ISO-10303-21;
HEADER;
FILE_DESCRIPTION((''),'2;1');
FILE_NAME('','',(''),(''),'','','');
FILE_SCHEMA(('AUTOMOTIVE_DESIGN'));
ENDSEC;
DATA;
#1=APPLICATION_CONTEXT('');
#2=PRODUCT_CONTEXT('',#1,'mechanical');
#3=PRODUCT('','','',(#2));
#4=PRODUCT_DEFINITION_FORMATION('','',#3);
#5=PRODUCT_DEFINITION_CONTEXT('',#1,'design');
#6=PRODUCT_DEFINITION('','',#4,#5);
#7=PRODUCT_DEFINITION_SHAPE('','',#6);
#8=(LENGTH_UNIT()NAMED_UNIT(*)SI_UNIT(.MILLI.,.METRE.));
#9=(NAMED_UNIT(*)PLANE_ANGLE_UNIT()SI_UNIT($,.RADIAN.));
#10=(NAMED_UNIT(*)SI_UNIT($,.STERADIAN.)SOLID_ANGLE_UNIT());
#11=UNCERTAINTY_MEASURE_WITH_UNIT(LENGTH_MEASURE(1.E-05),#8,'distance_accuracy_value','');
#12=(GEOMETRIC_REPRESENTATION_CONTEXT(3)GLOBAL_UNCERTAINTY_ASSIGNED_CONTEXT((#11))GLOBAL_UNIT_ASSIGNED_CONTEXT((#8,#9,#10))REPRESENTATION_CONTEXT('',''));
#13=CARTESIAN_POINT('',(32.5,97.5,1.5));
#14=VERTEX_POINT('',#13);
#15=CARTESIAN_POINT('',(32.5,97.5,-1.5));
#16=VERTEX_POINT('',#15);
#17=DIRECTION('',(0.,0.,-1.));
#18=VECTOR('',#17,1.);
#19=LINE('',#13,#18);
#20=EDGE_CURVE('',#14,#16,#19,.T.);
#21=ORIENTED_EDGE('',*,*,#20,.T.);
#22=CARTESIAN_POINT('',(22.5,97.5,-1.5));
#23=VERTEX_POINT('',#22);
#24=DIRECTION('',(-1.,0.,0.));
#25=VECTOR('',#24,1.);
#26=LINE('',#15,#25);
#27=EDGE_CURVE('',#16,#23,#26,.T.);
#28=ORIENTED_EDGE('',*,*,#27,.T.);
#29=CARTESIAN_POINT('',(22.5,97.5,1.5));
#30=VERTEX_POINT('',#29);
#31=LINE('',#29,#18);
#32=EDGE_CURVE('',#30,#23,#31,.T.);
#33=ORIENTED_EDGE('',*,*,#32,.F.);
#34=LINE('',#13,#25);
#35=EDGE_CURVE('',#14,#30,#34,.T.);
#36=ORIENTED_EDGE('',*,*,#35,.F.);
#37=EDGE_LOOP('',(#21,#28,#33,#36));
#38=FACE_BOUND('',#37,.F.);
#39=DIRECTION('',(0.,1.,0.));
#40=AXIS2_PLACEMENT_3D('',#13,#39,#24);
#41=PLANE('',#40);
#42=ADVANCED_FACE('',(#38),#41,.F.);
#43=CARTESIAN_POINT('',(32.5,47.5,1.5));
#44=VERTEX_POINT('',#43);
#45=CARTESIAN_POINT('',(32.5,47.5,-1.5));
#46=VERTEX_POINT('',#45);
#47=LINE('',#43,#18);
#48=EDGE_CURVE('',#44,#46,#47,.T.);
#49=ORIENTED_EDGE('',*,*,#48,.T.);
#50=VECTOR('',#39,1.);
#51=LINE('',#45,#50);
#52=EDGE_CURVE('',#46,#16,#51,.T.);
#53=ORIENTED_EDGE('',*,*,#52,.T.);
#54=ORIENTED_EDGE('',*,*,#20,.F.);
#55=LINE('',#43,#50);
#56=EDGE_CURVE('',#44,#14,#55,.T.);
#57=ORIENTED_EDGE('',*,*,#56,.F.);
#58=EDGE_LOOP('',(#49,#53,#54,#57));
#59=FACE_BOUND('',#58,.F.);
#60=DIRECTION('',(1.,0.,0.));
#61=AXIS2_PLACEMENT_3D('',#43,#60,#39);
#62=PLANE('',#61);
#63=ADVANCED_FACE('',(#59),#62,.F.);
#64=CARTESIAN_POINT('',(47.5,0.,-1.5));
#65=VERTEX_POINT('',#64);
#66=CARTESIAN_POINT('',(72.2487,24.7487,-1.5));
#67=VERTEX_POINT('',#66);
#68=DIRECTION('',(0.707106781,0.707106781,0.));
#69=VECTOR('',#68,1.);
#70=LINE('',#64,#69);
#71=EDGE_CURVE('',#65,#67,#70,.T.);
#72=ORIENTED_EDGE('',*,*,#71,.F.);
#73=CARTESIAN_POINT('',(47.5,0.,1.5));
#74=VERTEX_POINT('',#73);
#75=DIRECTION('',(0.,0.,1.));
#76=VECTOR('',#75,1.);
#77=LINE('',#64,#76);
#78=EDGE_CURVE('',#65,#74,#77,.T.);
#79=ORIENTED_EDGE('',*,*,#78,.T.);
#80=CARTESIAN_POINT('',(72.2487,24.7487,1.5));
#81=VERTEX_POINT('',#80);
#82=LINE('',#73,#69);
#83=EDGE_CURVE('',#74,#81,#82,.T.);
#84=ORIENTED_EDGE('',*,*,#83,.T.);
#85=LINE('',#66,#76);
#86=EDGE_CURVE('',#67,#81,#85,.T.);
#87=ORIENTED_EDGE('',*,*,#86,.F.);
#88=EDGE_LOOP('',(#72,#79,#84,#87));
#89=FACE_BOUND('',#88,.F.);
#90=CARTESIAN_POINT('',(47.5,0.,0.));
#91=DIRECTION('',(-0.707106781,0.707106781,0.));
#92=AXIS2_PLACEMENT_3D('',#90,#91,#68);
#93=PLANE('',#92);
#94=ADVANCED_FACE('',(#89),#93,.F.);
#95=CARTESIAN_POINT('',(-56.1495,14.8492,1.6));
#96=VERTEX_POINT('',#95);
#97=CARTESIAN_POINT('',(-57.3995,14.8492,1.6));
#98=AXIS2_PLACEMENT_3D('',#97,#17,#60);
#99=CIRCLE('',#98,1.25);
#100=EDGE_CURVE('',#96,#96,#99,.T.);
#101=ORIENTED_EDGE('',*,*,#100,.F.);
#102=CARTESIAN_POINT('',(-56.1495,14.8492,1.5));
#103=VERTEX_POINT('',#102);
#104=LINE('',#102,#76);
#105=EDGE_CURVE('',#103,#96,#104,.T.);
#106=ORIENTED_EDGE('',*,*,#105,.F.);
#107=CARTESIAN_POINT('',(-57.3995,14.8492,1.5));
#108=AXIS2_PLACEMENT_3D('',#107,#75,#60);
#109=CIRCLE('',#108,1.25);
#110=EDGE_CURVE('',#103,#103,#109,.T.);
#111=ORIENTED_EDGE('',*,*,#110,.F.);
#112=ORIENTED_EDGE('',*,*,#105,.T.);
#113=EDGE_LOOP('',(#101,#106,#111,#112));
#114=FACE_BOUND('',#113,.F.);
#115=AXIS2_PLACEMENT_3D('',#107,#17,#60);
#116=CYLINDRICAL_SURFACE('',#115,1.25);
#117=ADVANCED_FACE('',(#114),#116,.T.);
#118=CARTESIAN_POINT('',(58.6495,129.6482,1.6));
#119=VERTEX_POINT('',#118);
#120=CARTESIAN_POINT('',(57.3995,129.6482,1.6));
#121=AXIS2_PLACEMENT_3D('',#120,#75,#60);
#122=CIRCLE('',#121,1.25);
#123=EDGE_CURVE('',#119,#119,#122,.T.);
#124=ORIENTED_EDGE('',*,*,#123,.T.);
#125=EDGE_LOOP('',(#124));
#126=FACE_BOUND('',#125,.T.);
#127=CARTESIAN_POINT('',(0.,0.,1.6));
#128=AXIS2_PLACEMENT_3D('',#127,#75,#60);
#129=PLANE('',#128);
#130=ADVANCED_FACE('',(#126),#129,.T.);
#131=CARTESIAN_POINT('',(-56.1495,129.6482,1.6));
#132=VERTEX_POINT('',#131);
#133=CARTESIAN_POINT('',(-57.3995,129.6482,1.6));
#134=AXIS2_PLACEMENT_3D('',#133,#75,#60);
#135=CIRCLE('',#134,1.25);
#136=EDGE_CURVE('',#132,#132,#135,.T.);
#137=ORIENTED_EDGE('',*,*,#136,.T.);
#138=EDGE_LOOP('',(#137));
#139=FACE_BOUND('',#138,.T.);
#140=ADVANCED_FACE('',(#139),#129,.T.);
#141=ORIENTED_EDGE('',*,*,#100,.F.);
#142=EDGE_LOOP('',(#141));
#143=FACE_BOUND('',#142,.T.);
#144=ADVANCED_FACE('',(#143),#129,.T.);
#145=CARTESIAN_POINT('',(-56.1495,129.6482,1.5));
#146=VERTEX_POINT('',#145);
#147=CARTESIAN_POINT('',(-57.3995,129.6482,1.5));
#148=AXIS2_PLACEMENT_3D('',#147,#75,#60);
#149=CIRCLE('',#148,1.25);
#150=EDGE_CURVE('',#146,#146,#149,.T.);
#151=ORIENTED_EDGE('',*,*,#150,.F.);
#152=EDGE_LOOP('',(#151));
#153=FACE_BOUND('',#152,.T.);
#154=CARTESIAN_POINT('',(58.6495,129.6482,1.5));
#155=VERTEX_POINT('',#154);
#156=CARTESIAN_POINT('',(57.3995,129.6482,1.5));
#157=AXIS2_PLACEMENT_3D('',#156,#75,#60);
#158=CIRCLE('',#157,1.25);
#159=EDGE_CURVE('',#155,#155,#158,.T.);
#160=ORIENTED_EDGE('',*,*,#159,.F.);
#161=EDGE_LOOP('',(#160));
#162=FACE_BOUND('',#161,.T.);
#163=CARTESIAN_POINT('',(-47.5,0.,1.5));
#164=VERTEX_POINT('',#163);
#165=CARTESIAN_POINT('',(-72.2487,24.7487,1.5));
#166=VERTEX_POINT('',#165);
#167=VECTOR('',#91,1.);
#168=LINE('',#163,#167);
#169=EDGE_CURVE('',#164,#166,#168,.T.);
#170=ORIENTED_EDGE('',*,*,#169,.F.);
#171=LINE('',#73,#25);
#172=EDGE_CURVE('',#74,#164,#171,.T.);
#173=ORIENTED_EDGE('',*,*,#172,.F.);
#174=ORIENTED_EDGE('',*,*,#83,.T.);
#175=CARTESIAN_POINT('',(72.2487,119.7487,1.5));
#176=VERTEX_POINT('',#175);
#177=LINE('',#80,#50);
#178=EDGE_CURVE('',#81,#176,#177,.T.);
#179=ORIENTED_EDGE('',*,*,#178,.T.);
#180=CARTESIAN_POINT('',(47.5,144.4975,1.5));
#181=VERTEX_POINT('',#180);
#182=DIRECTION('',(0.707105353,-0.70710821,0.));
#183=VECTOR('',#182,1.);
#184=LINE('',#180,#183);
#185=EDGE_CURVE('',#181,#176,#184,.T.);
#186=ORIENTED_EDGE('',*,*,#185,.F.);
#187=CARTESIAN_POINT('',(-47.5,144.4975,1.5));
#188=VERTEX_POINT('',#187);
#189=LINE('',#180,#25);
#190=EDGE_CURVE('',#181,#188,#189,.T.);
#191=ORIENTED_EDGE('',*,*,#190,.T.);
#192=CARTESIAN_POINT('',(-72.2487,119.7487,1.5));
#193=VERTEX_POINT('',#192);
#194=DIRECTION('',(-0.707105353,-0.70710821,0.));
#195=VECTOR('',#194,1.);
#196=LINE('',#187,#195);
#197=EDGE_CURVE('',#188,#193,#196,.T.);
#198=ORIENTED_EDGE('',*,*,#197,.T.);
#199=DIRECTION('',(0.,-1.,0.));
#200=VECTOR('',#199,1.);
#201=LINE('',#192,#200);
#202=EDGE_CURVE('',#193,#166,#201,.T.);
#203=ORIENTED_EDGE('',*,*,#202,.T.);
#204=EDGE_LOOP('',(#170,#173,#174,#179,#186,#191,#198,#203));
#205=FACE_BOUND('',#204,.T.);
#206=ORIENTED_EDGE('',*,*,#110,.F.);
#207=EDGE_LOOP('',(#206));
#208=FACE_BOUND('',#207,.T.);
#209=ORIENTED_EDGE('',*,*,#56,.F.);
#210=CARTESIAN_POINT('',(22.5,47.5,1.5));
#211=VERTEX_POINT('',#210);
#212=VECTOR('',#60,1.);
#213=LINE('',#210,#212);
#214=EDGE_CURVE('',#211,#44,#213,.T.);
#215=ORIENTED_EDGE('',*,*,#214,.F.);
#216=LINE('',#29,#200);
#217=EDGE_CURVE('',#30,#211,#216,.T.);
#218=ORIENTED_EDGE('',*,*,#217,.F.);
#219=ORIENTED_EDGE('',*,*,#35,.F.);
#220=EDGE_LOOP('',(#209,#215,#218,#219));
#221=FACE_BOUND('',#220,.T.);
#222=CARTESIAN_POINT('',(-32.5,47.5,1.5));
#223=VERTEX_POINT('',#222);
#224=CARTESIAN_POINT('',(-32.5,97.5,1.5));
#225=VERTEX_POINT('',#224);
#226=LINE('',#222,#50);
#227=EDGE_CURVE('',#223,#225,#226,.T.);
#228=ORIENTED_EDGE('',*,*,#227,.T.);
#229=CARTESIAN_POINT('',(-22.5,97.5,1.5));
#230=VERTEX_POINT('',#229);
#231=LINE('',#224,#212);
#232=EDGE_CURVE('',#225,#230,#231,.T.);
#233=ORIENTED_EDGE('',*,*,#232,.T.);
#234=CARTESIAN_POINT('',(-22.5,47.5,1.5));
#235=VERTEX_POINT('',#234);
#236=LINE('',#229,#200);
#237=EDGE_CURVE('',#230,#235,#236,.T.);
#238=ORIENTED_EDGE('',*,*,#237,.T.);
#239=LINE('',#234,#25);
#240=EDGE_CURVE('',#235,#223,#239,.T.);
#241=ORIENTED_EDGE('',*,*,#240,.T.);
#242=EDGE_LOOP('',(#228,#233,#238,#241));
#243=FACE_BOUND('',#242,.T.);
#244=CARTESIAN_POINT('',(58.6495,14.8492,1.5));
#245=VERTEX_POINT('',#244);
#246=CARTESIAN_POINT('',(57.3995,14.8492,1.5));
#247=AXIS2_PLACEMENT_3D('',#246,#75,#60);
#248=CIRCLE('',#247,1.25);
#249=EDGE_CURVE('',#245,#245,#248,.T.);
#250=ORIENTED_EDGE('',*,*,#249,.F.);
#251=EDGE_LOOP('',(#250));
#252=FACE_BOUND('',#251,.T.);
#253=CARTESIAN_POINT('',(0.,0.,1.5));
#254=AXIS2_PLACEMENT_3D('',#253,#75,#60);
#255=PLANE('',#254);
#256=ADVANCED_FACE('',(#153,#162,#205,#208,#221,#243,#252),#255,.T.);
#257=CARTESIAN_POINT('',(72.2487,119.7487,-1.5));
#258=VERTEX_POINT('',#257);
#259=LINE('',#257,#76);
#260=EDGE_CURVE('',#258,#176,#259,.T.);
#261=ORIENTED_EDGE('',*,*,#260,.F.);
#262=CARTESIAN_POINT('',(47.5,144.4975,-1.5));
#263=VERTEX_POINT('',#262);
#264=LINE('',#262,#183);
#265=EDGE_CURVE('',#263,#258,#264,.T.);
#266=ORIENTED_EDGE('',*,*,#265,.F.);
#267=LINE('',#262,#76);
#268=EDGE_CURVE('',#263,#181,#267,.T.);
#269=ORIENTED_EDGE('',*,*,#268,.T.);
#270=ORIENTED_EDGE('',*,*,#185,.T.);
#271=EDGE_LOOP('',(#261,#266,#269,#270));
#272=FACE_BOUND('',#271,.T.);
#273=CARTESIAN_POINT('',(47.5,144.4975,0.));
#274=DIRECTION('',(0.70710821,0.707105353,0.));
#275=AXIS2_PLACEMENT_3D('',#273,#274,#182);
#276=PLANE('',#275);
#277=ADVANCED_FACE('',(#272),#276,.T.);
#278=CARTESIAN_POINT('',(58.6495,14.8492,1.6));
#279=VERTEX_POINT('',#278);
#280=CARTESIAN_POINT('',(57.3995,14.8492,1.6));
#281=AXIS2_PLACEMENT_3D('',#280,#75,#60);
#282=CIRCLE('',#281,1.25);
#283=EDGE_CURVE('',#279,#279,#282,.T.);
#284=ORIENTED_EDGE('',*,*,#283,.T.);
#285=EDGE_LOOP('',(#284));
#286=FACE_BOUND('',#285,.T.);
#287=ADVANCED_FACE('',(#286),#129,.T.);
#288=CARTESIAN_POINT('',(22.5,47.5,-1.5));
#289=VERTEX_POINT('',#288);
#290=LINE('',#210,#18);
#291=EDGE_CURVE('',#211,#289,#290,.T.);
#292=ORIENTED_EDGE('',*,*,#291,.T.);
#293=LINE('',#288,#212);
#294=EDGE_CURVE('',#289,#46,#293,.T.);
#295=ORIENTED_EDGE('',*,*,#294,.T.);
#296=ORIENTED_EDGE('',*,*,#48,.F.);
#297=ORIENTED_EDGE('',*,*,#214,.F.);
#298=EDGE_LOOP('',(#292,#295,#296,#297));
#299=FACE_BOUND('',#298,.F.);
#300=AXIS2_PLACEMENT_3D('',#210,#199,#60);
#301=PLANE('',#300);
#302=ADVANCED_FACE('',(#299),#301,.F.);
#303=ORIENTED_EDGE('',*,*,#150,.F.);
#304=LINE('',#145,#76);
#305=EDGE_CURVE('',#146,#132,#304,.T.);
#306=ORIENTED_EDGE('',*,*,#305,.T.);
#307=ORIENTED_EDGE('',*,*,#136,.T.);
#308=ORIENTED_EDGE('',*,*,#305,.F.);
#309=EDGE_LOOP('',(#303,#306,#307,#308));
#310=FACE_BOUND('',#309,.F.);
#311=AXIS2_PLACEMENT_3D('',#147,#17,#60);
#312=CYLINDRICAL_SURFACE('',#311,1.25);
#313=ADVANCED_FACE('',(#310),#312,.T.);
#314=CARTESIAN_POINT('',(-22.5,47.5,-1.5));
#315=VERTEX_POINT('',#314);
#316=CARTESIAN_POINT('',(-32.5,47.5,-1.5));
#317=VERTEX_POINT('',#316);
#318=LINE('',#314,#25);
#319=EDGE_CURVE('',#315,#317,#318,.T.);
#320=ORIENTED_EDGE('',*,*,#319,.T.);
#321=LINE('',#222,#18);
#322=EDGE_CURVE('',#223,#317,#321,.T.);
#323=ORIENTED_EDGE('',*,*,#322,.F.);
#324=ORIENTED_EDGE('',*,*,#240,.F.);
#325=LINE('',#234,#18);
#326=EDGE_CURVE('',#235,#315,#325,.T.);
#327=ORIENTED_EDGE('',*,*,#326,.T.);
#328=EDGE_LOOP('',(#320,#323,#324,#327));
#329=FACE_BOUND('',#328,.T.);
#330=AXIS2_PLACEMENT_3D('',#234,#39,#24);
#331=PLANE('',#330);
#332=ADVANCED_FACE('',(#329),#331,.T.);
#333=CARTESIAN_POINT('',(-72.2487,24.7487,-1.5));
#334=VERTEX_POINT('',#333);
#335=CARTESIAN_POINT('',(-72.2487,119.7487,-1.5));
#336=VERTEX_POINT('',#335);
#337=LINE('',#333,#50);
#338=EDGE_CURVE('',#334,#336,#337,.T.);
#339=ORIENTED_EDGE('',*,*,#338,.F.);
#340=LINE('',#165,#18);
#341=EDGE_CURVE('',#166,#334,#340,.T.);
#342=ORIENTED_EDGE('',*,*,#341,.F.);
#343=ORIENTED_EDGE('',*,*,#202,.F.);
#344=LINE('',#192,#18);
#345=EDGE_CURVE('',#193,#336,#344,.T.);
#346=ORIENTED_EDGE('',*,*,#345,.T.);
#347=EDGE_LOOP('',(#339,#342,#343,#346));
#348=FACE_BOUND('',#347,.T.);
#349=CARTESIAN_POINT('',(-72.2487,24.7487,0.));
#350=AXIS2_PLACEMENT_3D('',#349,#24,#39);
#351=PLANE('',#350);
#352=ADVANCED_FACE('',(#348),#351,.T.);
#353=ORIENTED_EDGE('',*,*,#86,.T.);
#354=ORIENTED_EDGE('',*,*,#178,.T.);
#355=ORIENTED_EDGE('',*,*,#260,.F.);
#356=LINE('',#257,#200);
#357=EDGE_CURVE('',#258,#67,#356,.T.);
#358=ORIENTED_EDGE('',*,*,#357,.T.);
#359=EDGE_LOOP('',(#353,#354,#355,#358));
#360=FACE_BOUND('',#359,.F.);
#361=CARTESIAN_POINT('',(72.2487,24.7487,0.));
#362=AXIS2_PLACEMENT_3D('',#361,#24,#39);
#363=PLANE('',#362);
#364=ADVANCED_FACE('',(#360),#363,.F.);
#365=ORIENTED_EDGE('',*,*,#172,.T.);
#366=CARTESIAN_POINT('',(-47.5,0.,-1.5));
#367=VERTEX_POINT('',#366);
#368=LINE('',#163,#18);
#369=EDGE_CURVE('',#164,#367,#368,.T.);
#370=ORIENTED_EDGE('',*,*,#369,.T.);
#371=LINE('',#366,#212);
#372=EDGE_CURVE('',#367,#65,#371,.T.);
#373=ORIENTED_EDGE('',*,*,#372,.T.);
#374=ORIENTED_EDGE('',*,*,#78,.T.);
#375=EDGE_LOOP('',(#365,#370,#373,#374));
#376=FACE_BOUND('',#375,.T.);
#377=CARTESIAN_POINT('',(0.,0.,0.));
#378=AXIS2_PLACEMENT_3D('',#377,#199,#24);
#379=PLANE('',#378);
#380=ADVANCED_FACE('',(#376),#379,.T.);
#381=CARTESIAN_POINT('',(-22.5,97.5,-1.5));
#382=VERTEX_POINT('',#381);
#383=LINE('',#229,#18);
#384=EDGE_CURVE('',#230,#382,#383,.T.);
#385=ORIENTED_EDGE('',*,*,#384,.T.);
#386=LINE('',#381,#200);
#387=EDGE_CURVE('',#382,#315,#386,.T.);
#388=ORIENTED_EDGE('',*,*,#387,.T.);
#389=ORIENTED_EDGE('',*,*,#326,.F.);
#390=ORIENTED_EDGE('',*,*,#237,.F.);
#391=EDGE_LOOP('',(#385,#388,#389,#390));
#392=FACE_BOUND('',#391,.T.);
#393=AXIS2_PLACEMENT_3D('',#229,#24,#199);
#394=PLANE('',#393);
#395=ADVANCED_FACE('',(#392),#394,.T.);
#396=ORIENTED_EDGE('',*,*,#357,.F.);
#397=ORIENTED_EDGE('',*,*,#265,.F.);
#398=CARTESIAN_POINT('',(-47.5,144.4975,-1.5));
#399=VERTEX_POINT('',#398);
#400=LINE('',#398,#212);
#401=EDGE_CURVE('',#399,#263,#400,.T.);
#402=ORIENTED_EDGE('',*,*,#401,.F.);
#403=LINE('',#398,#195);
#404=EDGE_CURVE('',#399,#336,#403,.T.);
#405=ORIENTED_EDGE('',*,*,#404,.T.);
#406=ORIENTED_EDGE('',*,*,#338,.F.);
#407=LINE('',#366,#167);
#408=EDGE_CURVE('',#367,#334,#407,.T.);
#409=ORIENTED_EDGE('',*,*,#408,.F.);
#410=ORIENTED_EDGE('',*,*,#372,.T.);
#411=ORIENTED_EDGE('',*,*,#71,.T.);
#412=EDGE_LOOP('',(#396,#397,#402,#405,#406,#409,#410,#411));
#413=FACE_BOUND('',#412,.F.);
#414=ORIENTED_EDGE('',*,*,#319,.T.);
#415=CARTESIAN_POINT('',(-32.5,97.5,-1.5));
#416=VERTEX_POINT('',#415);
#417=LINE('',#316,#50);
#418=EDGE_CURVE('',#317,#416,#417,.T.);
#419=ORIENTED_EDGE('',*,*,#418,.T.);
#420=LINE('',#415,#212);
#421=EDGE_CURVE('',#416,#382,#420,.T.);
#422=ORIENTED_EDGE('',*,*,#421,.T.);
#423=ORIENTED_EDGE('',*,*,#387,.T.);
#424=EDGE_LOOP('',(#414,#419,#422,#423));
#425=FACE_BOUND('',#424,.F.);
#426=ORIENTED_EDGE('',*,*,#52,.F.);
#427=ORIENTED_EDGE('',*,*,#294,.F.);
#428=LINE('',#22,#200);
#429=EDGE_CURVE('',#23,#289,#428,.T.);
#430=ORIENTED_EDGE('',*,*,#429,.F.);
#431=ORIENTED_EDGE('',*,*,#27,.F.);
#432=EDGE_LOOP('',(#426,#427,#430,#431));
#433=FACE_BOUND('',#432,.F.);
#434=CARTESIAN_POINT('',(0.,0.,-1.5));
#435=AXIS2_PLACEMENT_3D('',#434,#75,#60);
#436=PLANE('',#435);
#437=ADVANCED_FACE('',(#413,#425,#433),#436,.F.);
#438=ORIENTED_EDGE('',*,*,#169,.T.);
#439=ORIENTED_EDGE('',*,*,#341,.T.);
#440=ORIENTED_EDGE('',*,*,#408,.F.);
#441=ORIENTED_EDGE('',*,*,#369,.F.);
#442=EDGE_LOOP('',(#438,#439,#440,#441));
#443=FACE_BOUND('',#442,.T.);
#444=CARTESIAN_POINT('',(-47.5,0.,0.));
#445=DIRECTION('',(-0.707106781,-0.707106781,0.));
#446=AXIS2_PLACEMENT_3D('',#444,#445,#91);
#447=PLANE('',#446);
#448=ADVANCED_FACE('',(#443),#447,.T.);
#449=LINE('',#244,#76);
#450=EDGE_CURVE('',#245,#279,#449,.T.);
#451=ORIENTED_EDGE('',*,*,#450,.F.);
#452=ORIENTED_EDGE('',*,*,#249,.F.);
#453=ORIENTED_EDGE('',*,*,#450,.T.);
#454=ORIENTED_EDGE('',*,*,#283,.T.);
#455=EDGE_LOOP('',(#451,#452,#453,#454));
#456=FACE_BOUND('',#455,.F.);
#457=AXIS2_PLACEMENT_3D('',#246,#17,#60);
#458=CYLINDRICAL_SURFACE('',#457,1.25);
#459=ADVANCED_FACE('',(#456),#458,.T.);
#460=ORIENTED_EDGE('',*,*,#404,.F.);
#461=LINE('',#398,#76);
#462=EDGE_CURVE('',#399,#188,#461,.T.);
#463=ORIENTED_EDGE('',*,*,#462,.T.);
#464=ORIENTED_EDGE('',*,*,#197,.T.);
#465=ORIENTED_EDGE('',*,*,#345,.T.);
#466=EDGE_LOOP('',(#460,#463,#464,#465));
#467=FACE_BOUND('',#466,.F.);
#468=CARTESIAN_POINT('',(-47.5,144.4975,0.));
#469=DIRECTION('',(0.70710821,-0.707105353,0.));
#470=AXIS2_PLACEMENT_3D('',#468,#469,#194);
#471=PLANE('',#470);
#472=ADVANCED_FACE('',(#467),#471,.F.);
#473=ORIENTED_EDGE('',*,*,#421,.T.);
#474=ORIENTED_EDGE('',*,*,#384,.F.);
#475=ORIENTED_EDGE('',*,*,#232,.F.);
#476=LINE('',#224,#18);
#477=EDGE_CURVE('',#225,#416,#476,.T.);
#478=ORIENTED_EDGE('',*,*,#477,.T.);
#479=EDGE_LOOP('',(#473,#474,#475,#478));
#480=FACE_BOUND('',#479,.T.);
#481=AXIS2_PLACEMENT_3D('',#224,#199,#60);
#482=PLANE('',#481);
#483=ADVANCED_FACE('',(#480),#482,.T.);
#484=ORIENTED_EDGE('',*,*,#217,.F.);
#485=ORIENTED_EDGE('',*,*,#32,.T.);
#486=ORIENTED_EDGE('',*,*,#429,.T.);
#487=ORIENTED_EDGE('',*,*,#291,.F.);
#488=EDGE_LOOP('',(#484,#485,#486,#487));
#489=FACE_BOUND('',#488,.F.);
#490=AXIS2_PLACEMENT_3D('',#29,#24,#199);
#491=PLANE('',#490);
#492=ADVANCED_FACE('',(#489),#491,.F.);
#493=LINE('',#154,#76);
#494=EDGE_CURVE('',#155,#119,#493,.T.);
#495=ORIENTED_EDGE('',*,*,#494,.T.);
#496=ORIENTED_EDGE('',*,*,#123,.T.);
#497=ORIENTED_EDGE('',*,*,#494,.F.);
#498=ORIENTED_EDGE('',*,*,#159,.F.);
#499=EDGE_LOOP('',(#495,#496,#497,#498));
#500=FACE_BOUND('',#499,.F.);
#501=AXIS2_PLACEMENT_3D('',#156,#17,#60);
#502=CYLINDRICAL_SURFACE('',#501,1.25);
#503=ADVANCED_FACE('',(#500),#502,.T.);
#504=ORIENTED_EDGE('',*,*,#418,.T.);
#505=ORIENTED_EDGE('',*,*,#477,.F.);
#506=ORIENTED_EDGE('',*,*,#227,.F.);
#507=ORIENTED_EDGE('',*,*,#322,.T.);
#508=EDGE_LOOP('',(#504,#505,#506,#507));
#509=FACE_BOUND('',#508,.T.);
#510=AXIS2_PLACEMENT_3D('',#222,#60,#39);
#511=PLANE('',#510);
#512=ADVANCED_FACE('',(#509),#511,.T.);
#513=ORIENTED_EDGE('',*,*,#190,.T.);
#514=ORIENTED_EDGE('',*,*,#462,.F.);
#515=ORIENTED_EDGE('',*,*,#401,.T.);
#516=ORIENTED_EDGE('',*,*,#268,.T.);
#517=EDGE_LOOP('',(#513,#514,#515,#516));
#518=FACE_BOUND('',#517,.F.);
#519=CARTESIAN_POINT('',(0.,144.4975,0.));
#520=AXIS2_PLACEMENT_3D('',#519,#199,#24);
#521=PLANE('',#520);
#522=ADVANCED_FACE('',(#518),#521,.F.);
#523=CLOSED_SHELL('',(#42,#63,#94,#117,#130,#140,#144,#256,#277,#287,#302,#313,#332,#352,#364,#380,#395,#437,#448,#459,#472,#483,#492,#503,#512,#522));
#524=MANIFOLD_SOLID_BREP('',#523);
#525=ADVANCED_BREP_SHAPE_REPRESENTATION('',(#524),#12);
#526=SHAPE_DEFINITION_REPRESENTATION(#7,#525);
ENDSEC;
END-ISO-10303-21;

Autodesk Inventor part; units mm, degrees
ref_plane "YZ Plane" through (0, 0, 0) normal (1, 0, 0) x (0, 1, 0)
ref_plane "XZ Plane" through (0, 0, 0) normal (0, 1, 0) x (-1, 0, 0)
ref_plane "XY Plane" through (0, 0, 0) normal (0, 0, 1) x (1, 0, 0)
sketch "Sketch1" plane through (0, 0, 0) normal (0, 0, 1) x (1, 0, 0)
  line L0 (0, 0) -> (-47.5, 0)
  line L1 (-47.5, 0) -> (-72.2487, 24.7487)
  line L2 (-72.2487, 24.7487) -> (-72.2487, 72.2487)
  line L3 (-72.2487, 72.2487) -> (0, 72.2487)
  line L4 (0, 72.2487) -> (0, 0)
  line L5 (0, 144.4975) -> (-47.5, 144.4975)
  line L6 (-47.5, 144.4975) -> (-72.2487, 119.7487)
  line L7 (-72.2487, 119.7487) -> (-72.2487, 72.2487)
  line L8 (0, 0) -> (47.5, 0)
  line L9 (47.5, 0) -> (72.2487, 24.7487)
  line L10 (72.2487, 24.7487) -> (72.2487, 72.2487)
  line L11 (72.2487, 119.7487) -> (72.2487, 72.2487)
  line L12 (47.5, 144.4975) -> (72.2487, 119.7487)
  line L13 (0, 144.4975) -> (47.5, 144.4975)
  dimension "d0" = 47.5
  dimension "d2" = 35
  dimension "d3" = 135
extrude "Extrusion1" add sketch "Sketch1" along normal mid plane 3
sketch "Sketch2" plane through (0, 0, 1.5) normal (0, 0, 1) x (1, 0, 0)
  line L0 (-32.5, 97.5) -> (-22.5, 97.5)
  line L1 (-22.5, 97.5) -> (-22.5, 47.5)
  line L2 (-22.5, 47.5) -> (-32.5, 47.5)
  line L3 (-32.5, 47.5) -> (-32.5, 97.5)
  line L4 (0, 0) -> (0, 144.4975)
  line L5 (-47.5, 144.4975) -> (47.5, 144.4975) projected
  line L6 (-47.5, 0) -> (47.5, 0) projected
  line L7 (32.5, 97.5) -> (22.5, 97.5)
  line L8 (22.5, 97.5) -> (22.5, 47.5)
  line L9 (22.5, 47.5) -> (32.5, 47.5)
  line L10 (32.5, 47.5) -> (32.5, 97.5)
  dimension "d6" = 50
  dimension "d7" = 10
  dimension "d8" = 45
  dimension "d10" = 47.5
extrude "Extrusion2" cut sketch "Sketch2" against normal blind 3
sketch "Sketch3" plane through (0, 0, 1.5) normal (0, 0, 1) x (1, 0, 0)
  line L0 (47.5, 144.4975) -> (-47.5, 144.4975) projected
  line L1 (0, 144.4975) -> (0, 0)
  line L2 (-72.2487, 119.7487) -> (-72.2487, 24.7487) projected
  line L3 (-72.2487, 72.2487) -> (0, 72.2487)
  circle A0 centre (-57.3995, 14.8492) radius 1.25
  line L4 (-72.2487, 24.7487) -> (-47.5, 0) projected
  line L5 (-59.8744, 12.3744) -> (0, 72.2487)
  circle A1 centre (-57.3995, 129.6482) radius 1.25
  circle A2 centre (57.3995, 14.8492) radius 1.25
  circle A3 centre (57.3995, 129.6482) radius 1.25
  dimension "d13" = 2.5
  dimension "d14" = 3.5
extrude "Extrusion3" add sketch "Sketch3" along normal blind 0.1 contours L5 A0 | A0 L5 | A1 | A2 | A3
properties part number "Middle_base"
